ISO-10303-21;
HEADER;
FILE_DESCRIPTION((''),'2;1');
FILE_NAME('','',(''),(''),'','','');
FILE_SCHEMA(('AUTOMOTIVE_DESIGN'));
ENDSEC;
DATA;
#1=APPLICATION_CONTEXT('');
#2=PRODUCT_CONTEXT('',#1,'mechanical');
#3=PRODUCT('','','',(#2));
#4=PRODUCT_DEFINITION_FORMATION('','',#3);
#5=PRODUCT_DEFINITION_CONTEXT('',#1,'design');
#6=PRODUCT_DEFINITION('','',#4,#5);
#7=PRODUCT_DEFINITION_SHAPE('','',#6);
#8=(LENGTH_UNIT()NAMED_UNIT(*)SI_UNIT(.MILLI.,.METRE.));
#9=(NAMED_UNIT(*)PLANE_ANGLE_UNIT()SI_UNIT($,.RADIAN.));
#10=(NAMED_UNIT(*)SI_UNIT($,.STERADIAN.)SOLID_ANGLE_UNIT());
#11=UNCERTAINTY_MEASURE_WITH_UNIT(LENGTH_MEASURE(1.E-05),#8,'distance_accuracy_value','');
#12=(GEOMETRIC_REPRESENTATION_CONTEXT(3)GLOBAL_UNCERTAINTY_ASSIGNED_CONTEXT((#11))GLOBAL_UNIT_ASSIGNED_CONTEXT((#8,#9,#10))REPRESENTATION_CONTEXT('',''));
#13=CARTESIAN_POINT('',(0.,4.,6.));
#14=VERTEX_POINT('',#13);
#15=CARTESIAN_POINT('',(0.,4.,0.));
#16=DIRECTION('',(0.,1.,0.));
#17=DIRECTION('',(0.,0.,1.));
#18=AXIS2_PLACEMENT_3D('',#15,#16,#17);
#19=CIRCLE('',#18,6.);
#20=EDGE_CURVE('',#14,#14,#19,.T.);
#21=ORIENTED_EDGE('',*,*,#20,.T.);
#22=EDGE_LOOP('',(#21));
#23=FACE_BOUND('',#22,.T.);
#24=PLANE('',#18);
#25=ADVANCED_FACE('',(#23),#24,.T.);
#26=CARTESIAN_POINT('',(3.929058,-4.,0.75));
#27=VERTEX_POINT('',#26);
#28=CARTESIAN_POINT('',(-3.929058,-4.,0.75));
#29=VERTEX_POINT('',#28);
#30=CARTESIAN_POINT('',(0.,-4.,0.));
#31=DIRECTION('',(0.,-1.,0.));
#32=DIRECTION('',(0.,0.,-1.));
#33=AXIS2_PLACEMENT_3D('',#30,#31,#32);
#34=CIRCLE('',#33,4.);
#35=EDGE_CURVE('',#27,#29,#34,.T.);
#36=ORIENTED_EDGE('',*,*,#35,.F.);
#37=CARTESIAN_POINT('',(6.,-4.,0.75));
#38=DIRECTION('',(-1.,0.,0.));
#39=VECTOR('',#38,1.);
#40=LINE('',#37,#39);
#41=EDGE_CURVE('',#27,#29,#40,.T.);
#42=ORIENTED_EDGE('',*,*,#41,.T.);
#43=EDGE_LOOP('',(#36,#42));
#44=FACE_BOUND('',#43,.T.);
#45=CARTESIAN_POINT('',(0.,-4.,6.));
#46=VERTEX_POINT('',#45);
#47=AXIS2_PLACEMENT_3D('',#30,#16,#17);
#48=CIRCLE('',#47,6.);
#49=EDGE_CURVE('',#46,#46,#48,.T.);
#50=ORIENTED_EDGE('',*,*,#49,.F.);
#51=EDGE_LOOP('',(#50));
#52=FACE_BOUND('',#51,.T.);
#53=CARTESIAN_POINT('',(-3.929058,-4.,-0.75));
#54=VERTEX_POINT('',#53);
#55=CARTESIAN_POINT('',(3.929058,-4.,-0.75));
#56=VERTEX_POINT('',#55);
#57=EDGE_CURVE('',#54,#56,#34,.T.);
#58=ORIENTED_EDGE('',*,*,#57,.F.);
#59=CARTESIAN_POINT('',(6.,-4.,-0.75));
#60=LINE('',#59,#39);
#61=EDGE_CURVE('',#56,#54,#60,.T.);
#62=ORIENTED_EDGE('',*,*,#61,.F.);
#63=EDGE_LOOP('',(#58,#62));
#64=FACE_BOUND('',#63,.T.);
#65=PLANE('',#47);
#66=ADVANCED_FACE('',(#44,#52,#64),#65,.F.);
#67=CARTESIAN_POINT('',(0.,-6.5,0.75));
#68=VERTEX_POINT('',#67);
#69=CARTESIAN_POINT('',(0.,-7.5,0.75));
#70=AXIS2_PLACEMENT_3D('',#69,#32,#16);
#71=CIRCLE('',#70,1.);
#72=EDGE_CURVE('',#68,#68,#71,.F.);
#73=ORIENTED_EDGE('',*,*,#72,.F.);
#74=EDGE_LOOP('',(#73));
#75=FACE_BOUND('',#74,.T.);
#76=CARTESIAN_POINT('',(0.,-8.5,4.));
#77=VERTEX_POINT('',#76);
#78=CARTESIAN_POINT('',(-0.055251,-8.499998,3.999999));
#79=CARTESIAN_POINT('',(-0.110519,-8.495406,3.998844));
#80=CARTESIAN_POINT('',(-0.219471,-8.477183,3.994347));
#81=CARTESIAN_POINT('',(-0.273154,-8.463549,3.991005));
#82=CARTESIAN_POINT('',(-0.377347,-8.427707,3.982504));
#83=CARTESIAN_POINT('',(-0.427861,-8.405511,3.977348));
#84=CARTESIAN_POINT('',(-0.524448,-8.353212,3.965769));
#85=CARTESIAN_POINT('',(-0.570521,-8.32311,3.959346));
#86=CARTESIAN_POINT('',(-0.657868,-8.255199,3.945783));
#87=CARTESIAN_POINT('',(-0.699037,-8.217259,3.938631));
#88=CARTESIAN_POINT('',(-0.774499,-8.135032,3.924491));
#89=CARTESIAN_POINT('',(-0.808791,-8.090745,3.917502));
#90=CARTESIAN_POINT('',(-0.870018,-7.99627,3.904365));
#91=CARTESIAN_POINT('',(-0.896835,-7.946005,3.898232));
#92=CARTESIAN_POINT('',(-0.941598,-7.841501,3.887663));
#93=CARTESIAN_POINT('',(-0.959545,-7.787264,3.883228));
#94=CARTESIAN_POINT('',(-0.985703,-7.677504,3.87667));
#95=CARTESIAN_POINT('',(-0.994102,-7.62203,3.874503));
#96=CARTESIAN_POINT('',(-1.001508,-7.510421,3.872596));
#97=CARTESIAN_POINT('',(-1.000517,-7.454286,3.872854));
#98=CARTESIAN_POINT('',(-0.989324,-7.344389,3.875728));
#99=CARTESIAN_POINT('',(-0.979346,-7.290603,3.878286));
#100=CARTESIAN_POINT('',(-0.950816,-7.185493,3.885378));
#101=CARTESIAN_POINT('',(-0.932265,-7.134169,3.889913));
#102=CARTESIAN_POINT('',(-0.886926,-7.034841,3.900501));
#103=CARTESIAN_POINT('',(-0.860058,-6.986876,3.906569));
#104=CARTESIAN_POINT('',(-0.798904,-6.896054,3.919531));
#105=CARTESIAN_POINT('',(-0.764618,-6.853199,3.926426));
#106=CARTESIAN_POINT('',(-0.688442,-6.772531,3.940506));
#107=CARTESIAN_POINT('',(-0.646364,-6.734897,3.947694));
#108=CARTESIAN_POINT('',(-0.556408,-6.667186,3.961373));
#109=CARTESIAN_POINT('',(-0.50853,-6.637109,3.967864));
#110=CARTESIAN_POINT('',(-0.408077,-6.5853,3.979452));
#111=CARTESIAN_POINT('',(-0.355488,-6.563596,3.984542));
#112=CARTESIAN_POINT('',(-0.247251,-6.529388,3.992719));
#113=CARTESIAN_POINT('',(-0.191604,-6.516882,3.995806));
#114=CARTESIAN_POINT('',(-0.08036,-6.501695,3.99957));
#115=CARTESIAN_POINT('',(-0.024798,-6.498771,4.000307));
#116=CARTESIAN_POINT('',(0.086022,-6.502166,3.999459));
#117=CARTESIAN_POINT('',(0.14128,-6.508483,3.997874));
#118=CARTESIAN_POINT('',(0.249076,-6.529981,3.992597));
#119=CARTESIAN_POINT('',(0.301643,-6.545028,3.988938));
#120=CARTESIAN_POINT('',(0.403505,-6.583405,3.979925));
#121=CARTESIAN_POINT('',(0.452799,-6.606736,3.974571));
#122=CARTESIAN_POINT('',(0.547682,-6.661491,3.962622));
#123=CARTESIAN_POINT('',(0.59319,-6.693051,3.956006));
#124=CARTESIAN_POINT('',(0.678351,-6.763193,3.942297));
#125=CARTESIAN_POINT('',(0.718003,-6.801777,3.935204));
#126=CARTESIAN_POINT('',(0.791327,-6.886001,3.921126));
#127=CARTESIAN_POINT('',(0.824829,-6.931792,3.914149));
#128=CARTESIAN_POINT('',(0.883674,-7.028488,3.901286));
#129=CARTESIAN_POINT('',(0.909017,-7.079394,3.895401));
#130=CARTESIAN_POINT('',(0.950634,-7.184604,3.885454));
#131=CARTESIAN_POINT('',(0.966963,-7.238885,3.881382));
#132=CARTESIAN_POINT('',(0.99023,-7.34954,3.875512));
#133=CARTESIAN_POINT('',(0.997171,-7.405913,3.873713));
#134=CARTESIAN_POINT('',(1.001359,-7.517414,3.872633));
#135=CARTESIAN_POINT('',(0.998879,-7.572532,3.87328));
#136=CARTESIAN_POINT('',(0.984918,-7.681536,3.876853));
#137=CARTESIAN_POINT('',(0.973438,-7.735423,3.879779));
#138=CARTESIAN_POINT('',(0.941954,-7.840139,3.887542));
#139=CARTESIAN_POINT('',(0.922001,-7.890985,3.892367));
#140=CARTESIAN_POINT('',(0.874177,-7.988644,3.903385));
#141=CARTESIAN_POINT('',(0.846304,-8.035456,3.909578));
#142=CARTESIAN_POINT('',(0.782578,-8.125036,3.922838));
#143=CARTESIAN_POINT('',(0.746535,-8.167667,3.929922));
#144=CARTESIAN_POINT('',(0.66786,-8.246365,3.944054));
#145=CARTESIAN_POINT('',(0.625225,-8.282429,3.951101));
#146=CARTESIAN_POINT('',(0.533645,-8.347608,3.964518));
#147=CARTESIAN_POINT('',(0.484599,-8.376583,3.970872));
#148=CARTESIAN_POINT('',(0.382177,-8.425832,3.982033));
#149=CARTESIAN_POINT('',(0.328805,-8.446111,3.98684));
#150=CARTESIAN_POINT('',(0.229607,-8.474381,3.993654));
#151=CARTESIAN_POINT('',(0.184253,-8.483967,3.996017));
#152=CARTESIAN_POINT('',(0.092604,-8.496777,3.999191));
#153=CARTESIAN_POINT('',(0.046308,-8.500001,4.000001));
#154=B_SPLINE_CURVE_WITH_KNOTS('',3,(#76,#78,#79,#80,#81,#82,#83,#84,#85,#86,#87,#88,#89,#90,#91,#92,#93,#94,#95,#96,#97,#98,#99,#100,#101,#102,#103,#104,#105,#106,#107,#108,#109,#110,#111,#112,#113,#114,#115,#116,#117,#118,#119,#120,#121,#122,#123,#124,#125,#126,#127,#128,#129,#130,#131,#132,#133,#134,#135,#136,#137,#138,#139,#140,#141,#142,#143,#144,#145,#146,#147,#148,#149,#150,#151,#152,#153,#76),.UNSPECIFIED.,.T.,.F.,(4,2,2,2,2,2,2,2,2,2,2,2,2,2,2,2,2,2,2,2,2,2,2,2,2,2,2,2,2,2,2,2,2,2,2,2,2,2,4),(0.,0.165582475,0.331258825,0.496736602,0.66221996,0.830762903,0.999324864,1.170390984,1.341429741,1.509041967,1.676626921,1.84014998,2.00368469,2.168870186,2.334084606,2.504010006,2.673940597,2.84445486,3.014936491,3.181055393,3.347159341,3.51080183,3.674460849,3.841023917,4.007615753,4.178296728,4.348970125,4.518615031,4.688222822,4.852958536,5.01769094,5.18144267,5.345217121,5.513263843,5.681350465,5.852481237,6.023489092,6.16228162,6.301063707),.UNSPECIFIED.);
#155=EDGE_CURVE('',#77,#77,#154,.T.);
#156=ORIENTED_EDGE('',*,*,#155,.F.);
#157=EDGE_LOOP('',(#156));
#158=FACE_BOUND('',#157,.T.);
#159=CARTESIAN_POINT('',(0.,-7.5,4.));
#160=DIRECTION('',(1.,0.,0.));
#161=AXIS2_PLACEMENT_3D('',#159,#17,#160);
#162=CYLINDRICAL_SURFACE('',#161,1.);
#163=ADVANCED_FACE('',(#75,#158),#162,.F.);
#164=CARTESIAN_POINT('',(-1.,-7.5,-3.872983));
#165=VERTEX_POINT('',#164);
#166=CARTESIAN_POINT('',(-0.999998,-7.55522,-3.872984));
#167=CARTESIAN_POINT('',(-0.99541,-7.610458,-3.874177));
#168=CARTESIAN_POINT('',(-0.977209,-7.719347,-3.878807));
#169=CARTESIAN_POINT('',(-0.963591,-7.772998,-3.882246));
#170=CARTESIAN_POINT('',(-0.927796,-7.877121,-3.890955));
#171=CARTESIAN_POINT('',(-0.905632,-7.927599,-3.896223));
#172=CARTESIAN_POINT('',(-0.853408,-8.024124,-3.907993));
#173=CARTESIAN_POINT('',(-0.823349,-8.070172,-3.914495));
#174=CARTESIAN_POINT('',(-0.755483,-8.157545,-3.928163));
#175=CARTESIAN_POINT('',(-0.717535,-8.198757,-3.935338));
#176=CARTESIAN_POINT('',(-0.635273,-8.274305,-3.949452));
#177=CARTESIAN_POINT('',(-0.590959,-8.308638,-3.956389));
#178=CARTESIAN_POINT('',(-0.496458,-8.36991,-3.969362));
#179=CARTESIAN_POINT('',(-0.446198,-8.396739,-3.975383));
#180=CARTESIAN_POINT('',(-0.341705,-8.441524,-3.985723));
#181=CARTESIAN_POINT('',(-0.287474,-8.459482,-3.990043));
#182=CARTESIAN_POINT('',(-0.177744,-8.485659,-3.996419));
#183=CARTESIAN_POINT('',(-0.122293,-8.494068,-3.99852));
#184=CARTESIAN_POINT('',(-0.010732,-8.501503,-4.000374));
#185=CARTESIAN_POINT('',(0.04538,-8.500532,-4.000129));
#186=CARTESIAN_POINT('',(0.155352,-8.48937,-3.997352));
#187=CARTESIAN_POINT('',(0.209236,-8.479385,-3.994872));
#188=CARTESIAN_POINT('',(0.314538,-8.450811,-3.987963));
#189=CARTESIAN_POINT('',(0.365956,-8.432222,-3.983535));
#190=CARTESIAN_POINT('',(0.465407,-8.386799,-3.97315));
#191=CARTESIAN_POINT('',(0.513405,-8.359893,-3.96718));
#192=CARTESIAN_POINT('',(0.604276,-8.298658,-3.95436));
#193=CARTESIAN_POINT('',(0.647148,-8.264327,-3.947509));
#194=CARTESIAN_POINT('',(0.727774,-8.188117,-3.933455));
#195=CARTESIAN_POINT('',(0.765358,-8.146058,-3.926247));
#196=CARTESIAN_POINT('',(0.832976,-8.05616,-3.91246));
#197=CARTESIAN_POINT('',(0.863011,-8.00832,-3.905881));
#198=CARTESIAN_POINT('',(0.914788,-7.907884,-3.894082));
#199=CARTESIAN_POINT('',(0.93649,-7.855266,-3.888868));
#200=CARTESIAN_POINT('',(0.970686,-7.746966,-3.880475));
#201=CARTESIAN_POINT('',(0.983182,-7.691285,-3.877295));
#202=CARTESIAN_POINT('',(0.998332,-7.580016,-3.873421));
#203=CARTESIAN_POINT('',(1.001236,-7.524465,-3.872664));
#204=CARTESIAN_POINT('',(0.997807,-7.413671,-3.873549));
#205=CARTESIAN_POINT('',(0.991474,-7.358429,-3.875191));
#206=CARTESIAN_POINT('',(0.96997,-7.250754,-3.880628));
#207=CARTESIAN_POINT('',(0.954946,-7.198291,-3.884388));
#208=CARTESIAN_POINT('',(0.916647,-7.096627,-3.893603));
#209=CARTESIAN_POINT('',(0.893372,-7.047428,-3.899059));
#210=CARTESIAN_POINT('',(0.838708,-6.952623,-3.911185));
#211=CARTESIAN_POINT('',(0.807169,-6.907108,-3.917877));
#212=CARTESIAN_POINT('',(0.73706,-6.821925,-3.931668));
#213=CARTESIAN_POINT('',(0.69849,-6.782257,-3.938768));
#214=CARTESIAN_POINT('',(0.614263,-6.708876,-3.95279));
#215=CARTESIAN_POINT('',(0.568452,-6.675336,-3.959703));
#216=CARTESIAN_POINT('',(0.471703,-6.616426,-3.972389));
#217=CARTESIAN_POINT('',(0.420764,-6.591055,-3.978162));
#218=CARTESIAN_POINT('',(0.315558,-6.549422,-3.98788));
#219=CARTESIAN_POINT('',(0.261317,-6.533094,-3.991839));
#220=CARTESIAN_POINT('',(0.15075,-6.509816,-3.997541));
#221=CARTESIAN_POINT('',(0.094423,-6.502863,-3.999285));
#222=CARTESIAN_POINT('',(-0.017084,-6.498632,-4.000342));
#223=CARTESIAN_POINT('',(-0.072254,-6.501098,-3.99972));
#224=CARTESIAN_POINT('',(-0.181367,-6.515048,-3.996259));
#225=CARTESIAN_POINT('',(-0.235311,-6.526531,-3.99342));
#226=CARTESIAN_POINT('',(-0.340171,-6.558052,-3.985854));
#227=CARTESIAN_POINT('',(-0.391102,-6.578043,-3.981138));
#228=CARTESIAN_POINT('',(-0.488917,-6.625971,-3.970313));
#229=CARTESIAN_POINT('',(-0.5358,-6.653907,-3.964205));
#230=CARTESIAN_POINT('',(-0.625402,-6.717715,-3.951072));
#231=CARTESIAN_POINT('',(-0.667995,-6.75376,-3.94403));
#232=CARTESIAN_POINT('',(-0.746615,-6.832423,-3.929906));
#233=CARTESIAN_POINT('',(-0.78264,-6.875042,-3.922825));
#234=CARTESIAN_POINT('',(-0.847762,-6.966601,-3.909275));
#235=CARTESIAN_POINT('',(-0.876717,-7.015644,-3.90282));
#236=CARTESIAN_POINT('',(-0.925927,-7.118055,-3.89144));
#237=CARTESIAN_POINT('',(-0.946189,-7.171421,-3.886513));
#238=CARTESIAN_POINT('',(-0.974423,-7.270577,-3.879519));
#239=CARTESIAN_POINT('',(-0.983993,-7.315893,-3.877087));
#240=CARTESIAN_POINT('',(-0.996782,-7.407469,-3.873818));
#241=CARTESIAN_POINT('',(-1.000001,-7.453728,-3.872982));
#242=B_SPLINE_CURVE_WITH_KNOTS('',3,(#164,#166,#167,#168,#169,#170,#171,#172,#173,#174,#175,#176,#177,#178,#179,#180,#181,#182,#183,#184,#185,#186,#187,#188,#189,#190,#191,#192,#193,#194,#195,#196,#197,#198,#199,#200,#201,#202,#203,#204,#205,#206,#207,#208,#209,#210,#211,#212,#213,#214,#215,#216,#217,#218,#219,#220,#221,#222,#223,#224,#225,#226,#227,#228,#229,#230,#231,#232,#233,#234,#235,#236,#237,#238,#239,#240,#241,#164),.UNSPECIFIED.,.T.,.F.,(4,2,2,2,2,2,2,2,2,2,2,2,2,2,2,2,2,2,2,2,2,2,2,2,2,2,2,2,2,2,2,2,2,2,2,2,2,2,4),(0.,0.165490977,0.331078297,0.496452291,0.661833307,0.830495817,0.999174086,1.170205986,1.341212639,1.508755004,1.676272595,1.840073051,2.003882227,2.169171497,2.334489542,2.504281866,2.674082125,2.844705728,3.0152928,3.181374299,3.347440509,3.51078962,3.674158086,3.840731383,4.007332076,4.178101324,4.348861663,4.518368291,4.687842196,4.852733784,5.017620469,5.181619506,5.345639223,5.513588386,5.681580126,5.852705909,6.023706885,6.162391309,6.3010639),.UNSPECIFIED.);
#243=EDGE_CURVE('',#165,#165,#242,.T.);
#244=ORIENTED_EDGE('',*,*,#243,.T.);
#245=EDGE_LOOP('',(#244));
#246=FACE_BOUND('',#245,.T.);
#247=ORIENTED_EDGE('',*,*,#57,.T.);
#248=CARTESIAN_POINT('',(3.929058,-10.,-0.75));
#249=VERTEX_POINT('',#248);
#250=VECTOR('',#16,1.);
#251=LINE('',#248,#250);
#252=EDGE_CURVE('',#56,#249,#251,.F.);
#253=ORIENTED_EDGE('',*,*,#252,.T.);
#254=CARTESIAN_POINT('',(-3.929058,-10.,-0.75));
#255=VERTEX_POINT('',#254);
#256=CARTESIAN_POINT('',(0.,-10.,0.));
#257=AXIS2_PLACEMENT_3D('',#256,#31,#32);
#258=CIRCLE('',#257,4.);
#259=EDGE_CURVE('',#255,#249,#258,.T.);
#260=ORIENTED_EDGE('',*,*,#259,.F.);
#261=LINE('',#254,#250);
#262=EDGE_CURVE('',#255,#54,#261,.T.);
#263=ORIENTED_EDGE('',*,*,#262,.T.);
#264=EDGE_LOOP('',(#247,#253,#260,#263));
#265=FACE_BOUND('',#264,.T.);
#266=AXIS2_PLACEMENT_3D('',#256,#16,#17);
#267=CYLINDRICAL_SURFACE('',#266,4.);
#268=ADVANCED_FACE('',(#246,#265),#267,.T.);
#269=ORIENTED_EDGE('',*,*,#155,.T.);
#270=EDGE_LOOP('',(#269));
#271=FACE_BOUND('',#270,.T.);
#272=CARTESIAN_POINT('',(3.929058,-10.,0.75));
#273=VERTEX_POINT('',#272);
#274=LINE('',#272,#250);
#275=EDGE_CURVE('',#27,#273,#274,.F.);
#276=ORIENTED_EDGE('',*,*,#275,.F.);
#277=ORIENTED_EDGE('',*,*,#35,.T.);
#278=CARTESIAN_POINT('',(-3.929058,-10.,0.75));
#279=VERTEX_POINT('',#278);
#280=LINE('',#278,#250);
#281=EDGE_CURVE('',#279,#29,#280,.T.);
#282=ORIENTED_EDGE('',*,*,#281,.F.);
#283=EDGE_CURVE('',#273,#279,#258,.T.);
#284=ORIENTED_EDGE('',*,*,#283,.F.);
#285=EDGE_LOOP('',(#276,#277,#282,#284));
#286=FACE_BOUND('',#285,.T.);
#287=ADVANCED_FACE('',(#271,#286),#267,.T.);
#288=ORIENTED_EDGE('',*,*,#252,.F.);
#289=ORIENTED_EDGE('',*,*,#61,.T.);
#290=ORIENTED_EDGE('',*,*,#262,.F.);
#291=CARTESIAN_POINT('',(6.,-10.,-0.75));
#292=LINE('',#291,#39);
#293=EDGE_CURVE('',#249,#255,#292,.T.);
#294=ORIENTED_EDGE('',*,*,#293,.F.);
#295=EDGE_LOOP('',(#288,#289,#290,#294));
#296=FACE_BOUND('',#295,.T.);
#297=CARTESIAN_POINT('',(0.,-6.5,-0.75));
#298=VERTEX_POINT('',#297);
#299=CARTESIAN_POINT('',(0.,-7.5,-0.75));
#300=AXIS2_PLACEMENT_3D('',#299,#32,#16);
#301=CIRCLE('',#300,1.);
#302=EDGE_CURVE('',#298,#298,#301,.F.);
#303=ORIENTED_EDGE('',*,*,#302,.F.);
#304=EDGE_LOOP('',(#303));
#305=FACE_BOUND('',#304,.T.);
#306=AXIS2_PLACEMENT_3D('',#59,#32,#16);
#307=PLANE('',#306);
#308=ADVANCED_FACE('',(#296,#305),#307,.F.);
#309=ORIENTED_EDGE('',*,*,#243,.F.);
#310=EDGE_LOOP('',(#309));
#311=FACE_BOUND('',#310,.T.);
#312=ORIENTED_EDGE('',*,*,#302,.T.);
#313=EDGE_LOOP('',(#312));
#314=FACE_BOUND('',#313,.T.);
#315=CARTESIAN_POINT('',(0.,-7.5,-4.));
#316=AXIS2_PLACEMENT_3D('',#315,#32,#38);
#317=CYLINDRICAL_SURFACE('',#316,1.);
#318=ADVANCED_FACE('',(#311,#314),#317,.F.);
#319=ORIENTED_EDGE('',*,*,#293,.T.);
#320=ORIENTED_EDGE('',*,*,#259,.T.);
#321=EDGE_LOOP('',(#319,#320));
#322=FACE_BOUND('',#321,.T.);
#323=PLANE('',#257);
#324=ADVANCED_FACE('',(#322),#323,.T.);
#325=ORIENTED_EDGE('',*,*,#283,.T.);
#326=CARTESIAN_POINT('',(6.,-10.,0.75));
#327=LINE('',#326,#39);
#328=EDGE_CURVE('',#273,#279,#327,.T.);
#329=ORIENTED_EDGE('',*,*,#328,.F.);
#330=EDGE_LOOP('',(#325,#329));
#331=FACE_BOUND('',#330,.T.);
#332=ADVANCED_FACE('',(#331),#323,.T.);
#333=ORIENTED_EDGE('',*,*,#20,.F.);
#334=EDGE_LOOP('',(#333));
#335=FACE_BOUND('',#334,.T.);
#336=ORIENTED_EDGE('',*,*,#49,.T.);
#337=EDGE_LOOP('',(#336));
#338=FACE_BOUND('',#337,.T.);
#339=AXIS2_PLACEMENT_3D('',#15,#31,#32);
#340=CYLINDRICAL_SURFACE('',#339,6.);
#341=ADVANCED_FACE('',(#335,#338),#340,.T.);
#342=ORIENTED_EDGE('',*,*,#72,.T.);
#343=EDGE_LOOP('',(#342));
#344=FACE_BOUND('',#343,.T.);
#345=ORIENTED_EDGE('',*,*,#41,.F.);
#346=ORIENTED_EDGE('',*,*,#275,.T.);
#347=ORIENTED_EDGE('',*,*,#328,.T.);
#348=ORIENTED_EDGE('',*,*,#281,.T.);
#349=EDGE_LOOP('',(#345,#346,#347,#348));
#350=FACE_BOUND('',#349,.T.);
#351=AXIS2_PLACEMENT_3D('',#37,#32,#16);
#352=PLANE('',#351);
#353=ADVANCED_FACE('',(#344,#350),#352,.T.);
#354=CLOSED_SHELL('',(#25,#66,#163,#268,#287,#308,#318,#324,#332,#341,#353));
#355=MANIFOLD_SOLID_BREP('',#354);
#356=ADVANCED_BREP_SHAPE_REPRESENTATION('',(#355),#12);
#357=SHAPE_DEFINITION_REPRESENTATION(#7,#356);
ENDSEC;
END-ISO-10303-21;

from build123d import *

# Parameters (mm, degrees)
SKETCH1_R                                 = 6
BOSS_EXTRUDE1_DEPTH                       = 4
SKETCH2_R                                 = 4
BOSS_EXTRUDE2_DEPTH                       = 6
F_2_0MM_PRESS_DOWEL_HOLE1_D               = 2
F_2_0MM_PRESS_DOWEL_HOLE1_DEPTH           = 3.25
F_2_0MM_PRESS_DOWEL_HOLE1_TIP             = 0.600860619
F_2_0MM_PRESS_DOWEL_HOLE1_ON_FACE_2_D     = 2
F_2_0MM_PRESS_DOWEL_HOLE1_ON_FACE_2_DEPTH = 3.25
F_2_0MM_PRESS_DOWEL_HOLE1_ON_FACE_2_TIP   = 0.600860619
CUT_EXTRUDE1_DEPTH                        = 14.114877125
CUT_EXTRUDE1_DEPTH_BACK                   = 14.114877125
SKETCH8_W                                 = 1.5
SKETCH8_H                                 = 6


with BuildPart() as part:
    # Sketch1 → Boss-Extrude1 (new, symmetric)
    with BuildSketch(Plane(origin=(0, 0, 0), x_dir=(1, 0, 0), z_dir=(0, 1, 0))):
        with Locations(Location((0, 0, 0), (0, 0, 270))):
            Circle(SKETCH1_R)
    extrude(amount=BOSS_EXTRUDE1_DEPTH, both=True)

    # Sketch2 → Boss-Extrude2 (add)
    with BuildSketch(Plane.XZ.offset(4)):
        with Locations(Location((0, 0, 0), (0, 0, 270))):
            Circle(SKETCH2_R)
    extrude(amount=BOSS_EXTRUDE2_DEPTH)

    # Ø2.0mm Press Dowel Hole1
    with Locations(Plane(origin=(0, -7.5, 4), x_dir=(1, 0, 0), z_dir=(0, 0, 1))):
        with Locations((0, 0)):
            Hole(F_2_0MM_PRESS_DOWEL_HOLE1_D / 2, depth=F_2_0MM_PRESS_DOWEL_HOLE1_DEPTH)
            with Locations((0, 0, -(F_2_0MM_PRESS_DOWEL_HOLE1_DEPTH + F_2_0MM_PRESS_DOWEL_HOLE1_TIP / 2))):  # 118° drill point
                Cone(0, F_2_0MM_PRESS_DOWEL_HOLE1_D / 2, F_2_0MM_PRESS_DOWEL_HOLE1_TIP, mode=Mode.SUBTRACT)

    # Ø2.0mm Press Dowel Hole1 on face 2
    with Locations(Plane(origin=(0, -7.5, -4), x_dir=(-1, 0, 0), z_dir=(0, 0, -1))):
        with Locations((0, 0)):
            Hole(F_2_0MM_PRESS_DOWEL_HOLE1_ON_FACE_2_D / 2, depth=F_2_0MM_PRESS_DOWEL_HOLE1_ON_FACE_2_DEPTH)
            with Locations((0, 0, -(F_2_0MM_PRESS_DOWEL_HOLE1_ON_FACE_2_DEPTH + F_2_0MM_PRESS_DOWEL_HOLE1_ON_FACE_2_TIP / 2))):  # 118° drill point
                Cone(0, F_2_0MM_PRESS_DOWEL_HOLE1_ON_FACE_2_D / 2, F_2_0MM_PRESS_DOWEL_HOLE1_ON_FACE_2_TIP, mode=Mode.SUBTRACT)

    # Sketch8 → Cut-Extrude1 (cut, two sides: drawn at the far end of the back side and taken through both)
    with BuildSketch(Plane(origin=(0, 0, 0), x_dir=(0, 0, -1), z_dir=(1, 0, 0)).offset(-CUT_EXTRUDE1_DEPTH_BACK)):
        with Locations((0, -7)):
            Rectangle(SKETCH8_W, SKETCH8_H)
    extrude(amount=CUT_EXTRUDE1_DEPTH + CUT_EXTRUDE1_DEPTH_BACK, mode=Mode.SUBTRACT)


solid = part.part
